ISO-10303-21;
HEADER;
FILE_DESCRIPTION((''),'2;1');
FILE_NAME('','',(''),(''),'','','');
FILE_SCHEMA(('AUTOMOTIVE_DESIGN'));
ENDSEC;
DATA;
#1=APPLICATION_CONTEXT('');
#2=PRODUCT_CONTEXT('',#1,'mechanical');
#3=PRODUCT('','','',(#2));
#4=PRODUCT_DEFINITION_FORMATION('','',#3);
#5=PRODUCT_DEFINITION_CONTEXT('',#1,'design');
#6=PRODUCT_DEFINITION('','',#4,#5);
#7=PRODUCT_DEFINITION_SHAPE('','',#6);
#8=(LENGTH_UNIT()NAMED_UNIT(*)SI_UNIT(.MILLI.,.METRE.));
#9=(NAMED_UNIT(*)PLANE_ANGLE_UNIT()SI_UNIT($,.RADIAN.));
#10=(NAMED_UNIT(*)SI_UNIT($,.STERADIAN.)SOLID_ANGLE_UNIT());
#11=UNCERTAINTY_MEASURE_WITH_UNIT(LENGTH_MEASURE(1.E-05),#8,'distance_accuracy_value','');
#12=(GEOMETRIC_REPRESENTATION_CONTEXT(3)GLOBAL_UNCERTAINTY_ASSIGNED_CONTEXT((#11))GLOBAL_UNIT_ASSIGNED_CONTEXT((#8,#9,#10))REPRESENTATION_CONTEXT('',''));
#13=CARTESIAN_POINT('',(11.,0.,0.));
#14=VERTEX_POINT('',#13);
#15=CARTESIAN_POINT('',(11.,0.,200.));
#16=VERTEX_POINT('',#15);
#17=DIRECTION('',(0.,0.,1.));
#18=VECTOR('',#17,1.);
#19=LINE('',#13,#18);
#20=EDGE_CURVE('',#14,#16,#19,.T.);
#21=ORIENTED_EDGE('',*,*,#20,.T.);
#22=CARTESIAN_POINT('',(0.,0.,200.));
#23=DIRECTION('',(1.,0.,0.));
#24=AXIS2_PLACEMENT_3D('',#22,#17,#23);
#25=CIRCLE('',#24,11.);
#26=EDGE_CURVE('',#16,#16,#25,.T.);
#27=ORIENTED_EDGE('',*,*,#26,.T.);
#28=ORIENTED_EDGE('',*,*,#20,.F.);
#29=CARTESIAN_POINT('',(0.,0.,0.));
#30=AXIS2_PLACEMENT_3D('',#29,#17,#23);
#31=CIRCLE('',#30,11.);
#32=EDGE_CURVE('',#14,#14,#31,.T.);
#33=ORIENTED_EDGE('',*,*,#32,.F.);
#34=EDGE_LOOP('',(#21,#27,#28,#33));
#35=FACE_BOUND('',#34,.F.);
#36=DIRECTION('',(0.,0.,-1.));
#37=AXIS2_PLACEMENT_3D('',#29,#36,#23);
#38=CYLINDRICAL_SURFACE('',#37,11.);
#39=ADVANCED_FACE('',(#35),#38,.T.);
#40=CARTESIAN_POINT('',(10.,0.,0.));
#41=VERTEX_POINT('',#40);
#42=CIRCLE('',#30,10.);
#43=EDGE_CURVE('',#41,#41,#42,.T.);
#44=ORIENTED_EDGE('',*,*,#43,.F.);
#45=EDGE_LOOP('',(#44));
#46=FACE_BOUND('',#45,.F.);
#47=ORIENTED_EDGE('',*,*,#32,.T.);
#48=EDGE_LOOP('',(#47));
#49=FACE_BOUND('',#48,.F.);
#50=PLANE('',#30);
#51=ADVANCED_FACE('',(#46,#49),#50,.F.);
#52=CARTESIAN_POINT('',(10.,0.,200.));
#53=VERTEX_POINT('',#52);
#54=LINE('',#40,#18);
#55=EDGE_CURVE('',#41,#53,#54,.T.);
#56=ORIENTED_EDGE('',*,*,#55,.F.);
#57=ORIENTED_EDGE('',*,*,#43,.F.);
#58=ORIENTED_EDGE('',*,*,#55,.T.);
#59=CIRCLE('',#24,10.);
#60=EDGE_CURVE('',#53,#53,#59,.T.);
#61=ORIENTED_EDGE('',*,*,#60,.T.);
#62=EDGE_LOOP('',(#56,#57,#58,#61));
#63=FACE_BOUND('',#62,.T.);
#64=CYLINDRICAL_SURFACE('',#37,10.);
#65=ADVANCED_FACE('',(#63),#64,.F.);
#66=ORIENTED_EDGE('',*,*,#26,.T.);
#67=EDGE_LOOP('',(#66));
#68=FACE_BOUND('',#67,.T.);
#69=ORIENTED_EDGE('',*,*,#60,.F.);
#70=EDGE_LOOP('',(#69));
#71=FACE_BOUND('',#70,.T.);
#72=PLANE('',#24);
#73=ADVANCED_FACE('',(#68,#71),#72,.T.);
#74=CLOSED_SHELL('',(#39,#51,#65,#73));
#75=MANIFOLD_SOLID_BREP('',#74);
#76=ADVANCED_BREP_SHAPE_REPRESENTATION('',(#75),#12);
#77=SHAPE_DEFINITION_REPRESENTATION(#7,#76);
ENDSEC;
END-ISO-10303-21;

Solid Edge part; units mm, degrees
sketch "Sketch1" plane through (0, 0, 0) normal (0, 0, 1) x (1, 0, 0)
  circle A0 centre (0, 0) radius 11
  circle A1 centre (0, 0) radius 10
extrude "Protrusion1" add sketch "Sketch1" along normal blind 200
properties material "PVC"
